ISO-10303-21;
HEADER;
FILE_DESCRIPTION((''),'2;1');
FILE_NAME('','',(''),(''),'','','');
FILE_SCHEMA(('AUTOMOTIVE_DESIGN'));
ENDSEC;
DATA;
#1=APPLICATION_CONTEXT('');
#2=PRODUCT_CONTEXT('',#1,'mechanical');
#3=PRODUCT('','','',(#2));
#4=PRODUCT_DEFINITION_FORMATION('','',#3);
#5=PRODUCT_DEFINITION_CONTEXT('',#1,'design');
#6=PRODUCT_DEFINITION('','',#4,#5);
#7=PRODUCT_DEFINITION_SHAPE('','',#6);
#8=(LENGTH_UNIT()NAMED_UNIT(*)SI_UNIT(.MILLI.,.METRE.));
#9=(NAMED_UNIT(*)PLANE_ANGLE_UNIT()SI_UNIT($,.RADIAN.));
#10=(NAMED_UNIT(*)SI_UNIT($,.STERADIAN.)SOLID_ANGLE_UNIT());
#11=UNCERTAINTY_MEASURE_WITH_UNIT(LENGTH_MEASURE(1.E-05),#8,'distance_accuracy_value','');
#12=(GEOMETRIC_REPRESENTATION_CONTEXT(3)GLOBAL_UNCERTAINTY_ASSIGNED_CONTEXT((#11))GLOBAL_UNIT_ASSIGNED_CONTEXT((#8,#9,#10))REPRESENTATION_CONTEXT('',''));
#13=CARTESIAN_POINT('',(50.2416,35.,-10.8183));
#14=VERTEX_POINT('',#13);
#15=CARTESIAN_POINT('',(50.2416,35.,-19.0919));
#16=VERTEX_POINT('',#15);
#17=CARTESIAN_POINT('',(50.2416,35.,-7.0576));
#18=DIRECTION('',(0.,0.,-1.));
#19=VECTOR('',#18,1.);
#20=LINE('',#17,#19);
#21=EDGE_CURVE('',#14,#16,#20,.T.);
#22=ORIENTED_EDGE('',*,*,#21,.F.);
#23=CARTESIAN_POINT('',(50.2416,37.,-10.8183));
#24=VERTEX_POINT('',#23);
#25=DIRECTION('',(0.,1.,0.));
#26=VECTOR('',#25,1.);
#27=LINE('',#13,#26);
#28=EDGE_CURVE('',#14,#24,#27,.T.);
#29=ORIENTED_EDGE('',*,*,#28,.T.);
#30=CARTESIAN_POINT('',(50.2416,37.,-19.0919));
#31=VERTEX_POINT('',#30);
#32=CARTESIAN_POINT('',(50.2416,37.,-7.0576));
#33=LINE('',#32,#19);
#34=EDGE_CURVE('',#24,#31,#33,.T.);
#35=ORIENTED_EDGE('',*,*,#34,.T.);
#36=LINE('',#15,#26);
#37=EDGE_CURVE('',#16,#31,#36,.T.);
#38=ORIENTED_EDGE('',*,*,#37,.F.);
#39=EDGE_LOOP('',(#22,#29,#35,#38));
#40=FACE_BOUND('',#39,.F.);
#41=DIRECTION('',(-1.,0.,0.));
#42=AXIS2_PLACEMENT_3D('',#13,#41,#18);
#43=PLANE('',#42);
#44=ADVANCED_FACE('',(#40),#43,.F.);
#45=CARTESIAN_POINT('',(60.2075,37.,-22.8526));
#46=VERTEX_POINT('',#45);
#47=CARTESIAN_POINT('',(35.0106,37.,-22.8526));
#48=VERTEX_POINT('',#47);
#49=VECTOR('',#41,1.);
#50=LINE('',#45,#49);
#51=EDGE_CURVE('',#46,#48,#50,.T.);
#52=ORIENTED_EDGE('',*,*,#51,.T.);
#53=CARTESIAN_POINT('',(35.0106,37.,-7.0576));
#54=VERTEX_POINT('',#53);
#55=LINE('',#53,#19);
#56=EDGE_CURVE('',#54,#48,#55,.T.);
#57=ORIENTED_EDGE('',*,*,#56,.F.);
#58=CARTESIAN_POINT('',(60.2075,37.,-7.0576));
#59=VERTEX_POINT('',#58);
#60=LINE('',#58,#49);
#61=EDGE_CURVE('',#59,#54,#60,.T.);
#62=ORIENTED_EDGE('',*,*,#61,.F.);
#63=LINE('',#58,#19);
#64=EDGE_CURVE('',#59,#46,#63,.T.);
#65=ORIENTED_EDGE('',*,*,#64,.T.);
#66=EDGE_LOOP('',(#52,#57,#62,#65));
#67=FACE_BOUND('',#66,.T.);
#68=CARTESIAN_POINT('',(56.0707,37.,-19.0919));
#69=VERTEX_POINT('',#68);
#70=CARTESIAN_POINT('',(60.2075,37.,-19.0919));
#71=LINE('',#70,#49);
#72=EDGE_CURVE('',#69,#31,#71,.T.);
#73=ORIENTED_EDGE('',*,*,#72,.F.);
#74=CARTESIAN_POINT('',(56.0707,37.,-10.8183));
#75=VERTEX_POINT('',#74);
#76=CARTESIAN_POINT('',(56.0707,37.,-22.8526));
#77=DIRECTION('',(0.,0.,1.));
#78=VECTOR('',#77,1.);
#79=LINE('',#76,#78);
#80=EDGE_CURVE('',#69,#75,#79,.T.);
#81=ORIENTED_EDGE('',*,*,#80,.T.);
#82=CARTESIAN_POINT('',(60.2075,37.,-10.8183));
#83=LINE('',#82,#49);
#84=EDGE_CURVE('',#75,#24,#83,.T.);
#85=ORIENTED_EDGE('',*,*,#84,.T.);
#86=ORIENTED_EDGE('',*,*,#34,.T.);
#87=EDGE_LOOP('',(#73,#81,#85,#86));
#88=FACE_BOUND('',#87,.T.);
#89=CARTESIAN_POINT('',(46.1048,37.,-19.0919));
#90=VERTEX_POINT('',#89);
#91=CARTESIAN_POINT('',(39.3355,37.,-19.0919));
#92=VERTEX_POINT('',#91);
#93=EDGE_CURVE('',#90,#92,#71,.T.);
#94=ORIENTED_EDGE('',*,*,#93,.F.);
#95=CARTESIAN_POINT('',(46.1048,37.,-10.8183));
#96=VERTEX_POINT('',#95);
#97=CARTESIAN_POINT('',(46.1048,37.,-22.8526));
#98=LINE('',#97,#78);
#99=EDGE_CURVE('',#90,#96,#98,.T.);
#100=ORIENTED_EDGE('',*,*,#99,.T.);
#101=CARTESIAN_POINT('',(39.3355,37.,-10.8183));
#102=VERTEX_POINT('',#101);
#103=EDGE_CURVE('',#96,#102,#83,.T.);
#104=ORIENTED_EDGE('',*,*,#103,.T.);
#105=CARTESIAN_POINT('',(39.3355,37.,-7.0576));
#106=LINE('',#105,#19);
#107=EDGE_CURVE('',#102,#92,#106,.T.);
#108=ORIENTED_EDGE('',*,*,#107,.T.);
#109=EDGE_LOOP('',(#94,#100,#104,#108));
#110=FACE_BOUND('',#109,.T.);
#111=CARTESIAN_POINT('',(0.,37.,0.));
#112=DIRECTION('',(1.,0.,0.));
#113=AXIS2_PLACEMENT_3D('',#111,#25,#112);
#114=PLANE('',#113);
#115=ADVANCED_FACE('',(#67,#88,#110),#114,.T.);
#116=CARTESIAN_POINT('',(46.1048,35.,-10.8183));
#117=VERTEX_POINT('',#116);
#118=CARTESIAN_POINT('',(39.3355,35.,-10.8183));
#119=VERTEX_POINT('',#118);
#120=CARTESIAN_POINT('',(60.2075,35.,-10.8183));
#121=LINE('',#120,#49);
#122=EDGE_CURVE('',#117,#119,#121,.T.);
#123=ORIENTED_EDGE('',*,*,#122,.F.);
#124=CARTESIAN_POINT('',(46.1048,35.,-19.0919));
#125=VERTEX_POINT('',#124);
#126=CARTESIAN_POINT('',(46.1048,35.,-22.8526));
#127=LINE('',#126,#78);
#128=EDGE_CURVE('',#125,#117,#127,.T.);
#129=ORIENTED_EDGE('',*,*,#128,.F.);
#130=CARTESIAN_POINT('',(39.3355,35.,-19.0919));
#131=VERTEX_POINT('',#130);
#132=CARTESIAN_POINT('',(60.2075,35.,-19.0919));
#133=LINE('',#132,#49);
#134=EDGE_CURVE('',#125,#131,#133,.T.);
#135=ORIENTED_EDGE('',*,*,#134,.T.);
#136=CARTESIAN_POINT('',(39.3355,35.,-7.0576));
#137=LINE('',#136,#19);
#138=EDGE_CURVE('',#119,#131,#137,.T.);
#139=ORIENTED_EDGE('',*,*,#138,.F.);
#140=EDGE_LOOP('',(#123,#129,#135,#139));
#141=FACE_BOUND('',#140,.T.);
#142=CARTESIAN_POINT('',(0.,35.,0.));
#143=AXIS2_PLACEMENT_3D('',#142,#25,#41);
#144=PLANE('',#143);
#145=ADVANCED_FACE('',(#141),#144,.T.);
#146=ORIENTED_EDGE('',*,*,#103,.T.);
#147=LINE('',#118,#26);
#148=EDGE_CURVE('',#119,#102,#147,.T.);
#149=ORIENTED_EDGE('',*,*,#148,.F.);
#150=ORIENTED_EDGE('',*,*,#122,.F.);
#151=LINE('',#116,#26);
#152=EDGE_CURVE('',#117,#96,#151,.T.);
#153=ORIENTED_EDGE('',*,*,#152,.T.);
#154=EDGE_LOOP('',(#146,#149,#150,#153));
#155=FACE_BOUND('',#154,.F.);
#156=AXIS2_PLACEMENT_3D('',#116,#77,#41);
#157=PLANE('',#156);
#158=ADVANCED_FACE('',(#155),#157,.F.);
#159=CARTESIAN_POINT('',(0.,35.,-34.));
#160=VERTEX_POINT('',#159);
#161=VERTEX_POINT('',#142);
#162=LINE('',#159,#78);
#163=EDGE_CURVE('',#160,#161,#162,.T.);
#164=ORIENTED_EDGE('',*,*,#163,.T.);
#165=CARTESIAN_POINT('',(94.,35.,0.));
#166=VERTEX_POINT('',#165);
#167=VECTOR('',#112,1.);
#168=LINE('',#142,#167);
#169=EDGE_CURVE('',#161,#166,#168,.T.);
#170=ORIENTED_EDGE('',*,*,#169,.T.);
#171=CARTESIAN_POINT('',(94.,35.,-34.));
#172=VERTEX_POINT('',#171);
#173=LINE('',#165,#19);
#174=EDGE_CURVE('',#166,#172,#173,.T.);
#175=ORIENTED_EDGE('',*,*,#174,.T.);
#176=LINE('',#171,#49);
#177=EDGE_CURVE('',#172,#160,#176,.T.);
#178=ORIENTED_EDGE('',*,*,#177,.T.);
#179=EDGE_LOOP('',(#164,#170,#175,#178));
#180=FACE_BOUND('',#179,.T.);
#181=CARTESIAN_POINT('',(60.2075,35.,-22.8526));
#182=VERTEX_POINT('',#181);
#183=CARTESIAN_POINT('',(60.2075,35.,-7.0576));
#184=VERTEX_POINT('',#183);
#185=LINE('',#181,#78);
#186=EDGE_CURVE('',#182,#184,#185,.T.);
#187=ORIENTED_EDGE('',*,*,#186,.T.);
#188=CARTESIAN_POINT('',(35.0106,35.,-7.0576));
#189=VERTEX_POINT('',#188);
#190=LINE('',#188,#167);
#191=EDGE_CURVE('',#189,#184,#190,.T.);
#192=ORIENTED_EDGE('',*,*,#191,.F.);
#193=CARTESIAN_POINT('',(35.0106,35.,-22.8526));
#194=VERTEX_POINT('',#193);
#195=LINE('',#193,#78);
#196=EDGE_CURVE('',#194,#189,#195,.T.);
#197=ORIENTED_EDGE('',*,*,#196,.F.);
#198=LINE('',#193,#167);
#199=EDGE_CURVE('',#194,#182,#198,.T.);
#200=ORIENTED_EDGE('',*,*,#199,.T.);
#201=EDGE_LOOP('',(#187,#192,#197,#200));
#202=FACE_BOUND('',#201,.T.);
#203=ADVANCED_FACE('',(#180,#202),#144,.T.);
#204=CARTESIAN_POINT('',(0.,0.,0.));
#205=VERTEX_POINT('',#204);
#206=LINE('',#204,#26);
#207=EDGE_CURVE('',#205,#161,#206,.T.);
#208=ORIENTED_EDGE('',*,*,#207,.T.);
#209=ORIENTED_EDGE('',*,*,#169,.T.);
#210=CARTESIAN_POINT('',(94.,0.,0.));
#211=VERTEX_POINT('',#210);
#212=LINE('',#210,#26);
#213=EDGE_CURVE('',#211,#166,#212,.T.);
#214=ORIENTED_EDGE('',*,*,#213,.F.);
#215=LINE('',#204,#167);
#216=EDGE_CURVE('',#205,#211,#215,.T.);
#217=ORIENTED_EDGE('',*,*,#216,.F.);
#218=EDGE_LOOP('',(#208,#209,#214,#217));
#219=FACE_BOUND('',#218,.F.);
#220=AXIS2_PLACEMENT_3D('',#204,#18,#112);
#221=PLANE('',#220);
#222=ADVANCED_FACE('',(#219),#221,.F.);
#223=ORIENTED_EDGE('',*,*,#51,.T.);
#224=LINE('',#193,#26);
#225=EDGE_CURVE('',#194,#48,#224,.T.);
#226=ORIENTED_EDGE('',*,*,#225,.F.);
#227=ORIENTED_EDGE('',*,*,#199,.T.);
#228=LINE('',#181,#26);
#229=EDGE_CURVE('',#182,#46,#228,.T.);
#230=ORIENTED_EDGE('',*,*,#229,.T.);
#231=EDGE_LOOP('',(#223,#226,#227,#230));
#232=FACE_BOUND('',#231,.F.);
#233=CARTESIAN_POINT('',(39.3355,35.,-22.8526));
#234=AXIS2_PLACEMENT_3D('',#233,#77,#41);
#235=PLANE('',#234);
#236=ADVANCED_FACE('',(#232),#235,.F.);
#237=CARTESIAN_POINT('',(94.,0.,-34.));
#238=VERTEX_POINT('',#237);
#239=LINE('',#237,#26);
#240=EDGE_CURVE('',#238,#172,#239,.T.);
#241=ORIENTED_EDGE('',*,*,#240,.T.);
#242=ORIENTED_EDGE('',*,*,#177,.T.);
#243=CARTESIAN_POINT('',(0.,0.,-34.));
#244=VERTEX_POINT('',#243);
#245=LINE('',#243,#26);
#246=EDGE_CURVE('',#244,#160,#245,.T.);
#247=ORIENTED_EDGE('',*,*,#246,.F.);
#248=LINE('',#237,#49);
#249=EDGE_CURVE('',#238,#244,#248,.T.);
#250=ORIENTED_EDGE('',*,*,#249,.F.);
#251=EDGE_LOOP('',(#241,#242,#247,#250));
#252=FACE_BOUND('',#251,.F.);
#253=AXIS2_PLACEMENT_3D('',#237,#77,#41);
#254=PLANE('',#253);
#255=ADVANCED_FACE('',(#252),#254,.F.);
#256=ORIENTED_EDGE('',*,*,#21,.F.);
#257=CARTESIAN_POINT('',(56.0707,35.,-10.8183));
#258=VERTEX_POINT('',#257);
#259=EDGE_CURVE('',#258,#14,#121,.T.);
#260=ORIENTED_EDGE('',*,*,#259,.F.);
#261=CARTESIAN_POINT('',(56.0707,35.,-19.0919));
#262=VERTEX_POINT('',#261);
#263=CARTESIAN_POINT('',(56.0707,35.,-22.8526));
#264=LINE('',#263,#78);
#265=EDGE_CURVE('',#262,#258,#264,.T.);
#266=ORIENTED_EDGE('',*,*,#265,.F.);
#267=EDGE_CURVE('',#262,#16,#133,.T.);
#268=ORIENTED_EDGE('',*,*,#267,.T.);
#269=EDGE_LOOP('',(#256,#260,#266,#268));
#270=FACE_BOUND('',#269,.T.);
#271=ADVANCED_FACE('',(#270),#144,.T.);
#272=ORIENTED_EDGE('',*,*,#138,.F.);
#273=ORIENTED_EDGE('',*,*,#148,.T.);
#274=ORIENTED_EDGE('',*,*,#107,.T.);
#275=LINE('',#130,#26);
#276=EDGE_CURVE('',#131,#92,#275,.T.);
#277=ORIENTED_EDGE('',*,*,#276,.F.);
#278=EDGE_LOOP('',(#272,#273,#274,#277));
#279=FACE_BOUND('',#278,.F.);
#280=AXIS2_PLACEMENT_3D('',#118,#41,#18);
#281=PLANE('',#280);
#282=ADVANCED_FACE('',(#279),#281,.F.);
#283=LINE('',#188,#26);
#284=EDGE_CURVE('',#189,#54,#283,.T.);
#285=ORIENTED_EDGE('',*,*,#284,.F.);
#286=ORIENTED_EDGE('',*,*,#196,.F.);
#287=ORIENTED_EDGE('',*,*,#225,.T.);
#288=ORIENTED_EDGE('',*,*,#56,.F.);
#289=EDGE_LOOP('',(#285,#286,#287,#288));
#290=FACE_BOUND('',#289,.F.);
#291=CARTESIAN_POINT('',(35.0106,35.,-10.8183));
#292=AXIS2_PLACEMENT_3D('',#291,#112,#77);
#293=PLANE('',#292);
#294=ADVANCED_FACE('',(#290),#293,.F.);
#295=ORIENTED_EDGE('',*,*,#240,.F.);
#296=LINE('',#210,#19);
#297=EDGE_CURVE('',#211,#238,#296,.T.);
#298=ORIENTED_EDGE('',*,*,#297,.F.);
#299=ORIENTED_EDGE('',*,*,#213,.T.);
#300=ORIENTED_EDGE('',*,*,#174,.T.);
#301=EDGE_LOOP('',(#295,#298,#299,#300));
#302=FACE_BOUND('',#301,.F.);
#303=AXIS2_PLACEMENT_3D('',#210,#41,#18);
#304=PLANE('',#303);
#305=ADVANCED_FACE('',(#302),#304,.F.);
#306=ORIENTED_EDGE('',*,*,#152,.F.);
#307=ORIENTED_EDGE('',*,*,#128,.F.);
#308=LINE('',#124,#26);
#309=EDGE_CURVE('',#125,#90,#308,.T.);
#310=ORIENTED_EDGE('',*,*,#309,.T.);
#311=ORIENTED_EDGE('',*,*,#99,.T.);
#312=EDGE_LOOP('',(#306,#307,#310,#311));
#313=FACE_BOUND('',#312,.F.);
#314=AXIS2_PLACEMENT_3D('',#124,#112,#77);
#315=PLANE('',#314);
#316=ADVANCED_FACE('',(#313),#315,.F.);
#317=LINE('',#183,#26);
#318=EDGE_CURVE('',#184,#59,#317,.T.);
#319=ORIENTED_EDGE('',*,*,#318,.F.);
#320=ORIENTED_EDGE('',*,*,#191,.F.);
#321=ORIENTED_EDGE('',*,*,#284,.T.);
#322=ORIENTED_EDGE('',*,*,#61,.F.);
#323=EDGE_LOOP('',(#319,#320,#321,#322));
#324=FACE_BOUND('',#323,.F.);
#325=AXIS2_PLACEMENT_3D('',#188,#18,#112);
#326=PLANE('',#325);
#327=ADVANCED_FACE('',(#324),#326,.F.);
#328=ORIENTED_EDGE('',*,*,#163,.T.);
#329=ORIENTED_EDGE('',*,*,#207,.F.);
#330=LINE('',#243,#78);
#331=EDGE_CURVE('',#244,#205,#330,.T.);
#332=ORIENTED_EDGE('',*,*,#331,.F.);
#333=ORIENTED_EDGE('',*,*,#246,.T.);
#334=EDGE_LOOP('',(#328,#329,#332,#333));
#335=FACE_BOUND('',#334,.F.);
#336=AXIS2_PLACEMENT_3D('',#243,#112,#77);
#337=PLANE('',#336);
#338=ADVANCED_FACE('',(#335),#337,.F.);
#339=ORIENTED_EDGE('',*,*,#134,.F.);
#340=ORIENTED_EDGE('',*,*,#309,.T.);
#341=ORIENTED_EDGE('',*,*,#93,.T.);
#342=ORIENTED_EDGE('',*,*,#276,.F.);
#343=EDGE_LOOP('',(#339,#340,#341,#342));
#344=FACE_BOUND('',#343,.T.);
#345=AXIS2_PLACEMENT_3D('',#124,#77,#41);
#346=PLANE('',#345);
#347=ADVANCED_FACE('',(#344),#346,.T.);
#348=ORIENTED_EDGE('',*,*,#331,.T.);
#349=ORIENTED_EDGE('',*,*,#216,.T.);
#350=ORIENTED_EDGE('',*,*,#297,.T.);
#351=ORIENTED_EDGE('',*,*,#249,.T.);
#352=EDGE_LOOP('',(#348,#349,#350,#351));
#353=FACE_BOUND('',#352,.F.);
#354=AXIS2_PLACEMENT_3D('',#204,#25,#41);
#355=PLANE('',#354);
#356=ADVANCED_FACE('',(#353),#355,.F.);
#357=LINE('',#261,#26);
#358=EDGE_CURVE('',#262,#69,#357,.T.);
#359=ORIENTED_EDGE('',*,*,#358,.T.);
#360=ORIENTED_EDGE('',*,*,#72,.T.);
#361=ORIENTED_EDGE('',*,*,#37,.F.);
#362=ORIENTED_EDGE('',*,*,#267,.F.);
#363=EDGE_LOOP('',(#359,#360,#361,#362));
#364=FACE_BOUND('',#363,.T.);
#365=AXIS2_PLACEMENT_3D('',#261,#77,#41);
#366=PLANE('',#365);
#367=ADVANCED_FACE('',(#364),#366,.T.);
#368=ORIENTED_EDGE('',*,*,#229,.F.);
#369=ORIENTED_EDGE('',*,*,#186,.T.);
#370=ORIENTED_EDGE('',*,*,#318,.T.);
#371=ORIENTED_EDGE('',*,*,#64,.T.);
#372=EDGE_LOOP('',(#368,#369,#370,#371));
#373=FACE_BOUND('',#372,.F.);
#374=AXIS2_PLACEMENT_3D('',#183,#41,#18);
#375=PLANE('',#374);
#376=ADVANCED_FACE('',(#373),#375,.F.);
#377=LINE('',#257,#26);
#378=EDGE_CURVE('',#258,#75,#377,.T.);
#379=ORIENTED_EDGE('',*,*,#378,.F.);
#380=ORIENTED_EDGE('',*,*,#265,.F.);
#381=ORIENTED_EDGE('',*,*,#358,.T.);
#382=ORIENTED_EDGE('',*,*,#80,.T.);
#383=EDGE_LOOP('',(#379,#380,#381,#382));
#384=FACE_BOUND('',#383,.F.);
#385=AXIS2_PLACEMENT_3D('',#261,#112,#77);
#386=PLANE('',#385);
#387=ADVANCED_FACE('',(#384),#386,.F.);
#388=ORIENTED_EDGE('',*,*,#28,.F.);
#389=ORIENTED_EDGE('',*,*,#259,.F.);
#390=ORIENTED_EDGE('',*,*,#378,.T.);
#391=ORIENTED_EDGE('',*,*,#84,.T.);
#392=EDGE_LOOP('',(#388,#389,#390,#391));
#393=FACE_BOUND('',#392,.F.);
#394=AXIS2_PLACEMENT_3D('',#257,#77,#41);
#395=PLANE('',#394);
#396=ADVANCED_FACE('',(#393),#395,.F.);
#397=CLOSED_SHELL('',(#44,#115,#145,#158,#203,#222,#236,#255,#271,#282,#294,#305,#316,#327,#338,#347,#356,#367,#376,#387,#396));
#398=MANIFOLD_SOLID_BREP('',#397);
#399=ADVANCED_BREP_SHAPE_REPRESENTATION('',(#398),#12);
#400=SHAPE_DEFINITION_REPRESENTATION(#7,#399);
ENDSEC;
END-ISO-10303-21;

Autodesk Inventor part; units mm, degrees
ref_plane "YZ Plane" through (0, 0, 0) normal (1, 0, 0) x (0, 1, 0)
ref_plane "XZ Plane" through (0, 0, 0) normal (0, 1, 0) x (-1, 0, 0)
ref_plane "XY Plane" through (0, 0, 0) normal (0, 0, 1) x (1, 0, 0)
sketch "Sketch1" plane through (0, 0, 0) normal (0, 1, 0) x (-1, 0, 0)
  line L0 (0, 0) -> (-94, 0)
  line L1 (-94, 0) -> (-94, -34)
  line L2 (-94, -34) -> (0, -34)
  line L3 (0, -34) -> (0, 0)
  dimension "d0" = 34
  dimension "d1" = 94
extrude "Extrusion1" add sketch "Sketch1" along normal blind 35
sketch "Sketch2" plane through (0, 35, 0) normal (0, 1, 0) x (1, 0, 0)
  line L0 (35.0106, 7.0576) -> (60.2075, 7.0576)
  line L1 (60.2075, 7.0576) -> (60.2075, 10.8183)
  line L2 (60.2075, 10.8183) -> (35.0106, 10.8183)
  line L3 (35.0106, 10.8183) -> (35.0106, 7.0576)
  line L4 (35.0106, 7.0576) -> (39.3355, 7.0576)
  line L5 (39.3355, 7.0576) -> (39.3355, 22.8526)
  line L6 (39.3355, 22.8526) -> (35.0106, 22.8526)
  line L7 (35.0106, 22.8526) -> (35.0106, 7.0576)
  line L8 (35.0106, 22.8526) -> (60.2075, 22.8526)
  line L9 (60.2075, 22.8526) -> (60.2075, 19.0919)
  line L10 (60.2075, 19.0919) -> (35.0106, 19.0919)
  line L11 (35.0106, 19.0919) -> (35.0106, 22.8526)
  line L12 (60.2075, 22.8526) -> (56.0707, 22.8526)
  line L13 (56.0707, 22.8526) -> (56.0707, 7.0576)
  line L14 (56.0707, 7.0576) -> (60.2075, 7.0576)
  line L15 (60.2075, 7.0576) -> (60.2075, 22.8526)
  line L16 (46.1048, 7.0576) -> (50.2416, 7.0576)
  line L17 (50.2416, 7.0576) -> (50.2416, 22.8526)
  line L18 (50.2416, 22.8526) -> (46.1048, 22.8526)
  line L19 (46.1048, 22.8526) -> (46.1048, 7.0576)
  point P0 (0, 0)
  point P1 (39.3355, 10.8183)
  point P2 (39.3355, 19.0919)
  point P3 (46.1048, 19.0919)
  point P4 (46.1048, 10.8183)
  point P5 (50.2416, 19.0919)
  point P6 (56.0707, 19.0919)
  point P7 (56.0707, 10.8183)
  point P8 (50.2416, 10.8183)
extrude "Extrusion2" add sketch "Sketch2" along normal blind 2 contours L3 L2 L5 L0 | L5 L2 L19 L0 | L7 L10 L5 L2 | L19 L2 L17 L0 | L7 L6 L5 L10 | L17 L2 L13 L0 | L19 L10 L17 L2 | L5 L8 L19 L10 | L13 L2 L1 L0 | L19 L8 L17 L10 | L13 L10 L15 L2 | L17 L8 L13 L10 | L13 L8 L9 L10
properties part number "Battery Lipo"
